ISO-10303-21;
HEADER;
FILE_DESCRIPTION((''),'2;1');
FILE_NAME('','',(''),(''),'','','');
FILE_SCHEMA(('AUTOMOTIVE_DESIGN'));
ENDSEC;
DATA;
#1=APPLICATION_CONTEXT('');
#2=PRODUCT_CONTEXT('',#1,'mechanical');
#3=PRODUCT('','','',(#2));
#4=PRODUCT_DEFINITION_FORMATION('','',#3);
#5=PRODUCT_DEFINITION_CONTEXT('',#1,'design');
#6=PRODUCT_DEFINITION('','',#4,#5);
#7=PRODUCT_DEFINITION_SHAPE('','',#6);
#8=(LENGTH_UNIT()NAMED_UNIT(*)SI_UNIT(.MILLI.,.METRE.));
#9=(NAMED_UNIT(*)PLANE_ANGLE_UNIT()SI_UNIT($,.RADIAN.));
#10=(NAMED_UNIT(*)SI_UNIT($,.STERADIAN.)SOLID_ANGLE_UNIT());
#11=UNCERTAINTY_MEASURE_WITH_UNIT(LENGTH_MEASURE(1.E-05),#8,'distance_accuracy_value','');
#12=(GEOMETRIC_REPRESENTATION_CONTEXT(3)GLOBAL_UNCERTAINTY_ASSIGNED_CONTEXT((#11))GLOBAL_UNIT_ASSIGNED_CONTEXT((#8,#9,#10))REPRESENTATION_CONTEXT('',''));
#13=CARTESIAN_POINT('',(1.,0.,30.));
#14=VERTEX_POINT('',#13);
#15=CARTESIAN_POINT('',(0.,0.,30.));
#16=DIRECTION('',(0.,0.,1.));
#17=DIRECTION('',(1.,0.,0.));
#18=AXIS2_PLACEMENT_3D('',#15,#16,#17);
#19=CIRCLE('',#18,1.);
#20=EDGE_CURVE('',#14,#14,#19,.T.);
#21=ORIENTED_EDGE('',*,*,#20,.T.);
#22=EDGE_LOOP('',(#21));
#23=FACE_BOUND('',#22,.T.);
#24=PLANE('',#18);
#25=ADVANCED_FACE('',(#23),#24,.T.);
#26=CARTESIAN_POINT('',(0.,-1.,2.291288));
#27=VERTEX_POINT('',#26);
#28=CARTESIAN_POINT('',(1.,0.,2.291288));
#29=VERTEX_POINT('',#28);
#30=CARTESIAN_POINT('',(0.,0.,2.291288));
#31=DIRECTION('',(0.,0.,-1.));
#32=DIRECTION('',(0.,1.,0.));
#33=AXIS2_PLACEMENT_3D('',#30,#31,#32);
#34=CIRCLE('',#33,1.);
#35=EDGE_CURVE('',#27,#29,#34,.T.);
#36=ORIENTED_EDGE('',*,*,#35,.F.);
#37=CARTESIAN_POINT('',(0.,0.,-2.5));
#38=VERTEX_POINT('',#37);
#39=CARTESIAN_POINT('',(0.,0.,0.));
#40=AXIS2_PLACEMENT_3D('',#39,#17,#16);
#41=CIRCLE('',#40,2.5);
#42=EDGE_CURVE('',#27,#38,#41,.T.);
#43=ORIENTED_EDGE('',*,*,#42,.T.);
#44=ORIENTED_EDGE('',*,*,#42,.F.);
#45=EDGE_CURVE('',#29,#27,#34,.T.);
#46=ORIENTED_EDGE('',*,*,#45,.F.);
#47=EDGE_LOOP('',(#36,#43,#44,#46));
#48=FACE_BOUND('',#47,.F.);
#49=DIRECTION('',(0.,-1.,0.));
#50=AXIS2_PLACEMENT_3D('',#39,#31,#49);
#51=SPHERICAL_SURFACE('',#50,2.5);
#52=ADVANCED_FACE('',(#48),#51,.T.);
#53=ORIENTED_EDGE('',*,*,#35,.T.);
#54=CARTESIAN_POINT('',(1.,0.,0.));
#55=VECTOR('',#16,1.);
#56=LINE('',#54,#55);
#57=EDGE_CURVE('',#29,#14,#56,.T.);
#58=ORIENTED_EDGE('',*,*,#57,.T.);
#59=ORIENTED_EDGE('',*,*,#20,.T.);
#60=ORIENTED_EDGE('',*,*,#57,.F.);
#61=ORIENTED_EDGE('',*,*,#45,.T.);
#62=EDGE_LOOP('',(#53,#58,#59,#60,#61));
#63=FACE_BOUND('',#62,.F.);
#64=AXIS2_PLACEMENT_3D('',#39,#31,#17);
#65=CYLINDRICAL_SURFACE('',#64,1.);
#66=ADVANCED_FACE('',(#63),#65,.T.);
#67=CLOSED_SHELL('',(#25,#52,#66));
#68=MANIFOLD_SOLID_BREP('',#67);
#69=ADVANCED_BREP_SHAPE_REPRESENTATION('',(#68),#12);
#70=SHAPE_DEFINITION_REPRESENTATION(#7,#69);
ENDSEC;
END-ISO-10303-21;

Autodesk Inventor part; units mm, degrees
ref_plane "YZ Plane" through (0, 0, 0) normal (1, 0, 0) x (0, 1, 0)
ref_plane "XZ Plane" through (0, 0, 0) normal (0, 1, 0) x (-1, 0, 0)
ref_plane "XY Plane" through (0, 0, 0) normal (0, 0, 1) x (1, 0, 0)
sketch "Sketch1" plane through (0, 0, 0) normal (0, 0, 1) x (1, 0, 0)
  line L0 (0, 1.4) -> (0, -1.4) construction
  line L1 (-1.4, 0) -> (1.4, 0) construction
  circle A0 centre (0, 0) radius 1
  dimension "d0" = 2
extrude "Extrusion1" add sketch "Sketch1" along normal blind 30
sketch "Sketch2" plane through (0, 0, 0) normal (1, 0, 0) x (0, 1, 0)
  arc A0 (0, 2.5) -> (0, -2.5) centre (0, 0) ccw
  line L0 (0, -2.5) -> (0, 2.5)
  line L1 (0, -3.5) -> (0, 3.5) projected
  dimension "d3" = 5
revolve "Revolution1" add sketch "Sketch2" angle 360 about axis through (0, 0, -10) along (0, 0, 1)
properties part number "Antenna"
